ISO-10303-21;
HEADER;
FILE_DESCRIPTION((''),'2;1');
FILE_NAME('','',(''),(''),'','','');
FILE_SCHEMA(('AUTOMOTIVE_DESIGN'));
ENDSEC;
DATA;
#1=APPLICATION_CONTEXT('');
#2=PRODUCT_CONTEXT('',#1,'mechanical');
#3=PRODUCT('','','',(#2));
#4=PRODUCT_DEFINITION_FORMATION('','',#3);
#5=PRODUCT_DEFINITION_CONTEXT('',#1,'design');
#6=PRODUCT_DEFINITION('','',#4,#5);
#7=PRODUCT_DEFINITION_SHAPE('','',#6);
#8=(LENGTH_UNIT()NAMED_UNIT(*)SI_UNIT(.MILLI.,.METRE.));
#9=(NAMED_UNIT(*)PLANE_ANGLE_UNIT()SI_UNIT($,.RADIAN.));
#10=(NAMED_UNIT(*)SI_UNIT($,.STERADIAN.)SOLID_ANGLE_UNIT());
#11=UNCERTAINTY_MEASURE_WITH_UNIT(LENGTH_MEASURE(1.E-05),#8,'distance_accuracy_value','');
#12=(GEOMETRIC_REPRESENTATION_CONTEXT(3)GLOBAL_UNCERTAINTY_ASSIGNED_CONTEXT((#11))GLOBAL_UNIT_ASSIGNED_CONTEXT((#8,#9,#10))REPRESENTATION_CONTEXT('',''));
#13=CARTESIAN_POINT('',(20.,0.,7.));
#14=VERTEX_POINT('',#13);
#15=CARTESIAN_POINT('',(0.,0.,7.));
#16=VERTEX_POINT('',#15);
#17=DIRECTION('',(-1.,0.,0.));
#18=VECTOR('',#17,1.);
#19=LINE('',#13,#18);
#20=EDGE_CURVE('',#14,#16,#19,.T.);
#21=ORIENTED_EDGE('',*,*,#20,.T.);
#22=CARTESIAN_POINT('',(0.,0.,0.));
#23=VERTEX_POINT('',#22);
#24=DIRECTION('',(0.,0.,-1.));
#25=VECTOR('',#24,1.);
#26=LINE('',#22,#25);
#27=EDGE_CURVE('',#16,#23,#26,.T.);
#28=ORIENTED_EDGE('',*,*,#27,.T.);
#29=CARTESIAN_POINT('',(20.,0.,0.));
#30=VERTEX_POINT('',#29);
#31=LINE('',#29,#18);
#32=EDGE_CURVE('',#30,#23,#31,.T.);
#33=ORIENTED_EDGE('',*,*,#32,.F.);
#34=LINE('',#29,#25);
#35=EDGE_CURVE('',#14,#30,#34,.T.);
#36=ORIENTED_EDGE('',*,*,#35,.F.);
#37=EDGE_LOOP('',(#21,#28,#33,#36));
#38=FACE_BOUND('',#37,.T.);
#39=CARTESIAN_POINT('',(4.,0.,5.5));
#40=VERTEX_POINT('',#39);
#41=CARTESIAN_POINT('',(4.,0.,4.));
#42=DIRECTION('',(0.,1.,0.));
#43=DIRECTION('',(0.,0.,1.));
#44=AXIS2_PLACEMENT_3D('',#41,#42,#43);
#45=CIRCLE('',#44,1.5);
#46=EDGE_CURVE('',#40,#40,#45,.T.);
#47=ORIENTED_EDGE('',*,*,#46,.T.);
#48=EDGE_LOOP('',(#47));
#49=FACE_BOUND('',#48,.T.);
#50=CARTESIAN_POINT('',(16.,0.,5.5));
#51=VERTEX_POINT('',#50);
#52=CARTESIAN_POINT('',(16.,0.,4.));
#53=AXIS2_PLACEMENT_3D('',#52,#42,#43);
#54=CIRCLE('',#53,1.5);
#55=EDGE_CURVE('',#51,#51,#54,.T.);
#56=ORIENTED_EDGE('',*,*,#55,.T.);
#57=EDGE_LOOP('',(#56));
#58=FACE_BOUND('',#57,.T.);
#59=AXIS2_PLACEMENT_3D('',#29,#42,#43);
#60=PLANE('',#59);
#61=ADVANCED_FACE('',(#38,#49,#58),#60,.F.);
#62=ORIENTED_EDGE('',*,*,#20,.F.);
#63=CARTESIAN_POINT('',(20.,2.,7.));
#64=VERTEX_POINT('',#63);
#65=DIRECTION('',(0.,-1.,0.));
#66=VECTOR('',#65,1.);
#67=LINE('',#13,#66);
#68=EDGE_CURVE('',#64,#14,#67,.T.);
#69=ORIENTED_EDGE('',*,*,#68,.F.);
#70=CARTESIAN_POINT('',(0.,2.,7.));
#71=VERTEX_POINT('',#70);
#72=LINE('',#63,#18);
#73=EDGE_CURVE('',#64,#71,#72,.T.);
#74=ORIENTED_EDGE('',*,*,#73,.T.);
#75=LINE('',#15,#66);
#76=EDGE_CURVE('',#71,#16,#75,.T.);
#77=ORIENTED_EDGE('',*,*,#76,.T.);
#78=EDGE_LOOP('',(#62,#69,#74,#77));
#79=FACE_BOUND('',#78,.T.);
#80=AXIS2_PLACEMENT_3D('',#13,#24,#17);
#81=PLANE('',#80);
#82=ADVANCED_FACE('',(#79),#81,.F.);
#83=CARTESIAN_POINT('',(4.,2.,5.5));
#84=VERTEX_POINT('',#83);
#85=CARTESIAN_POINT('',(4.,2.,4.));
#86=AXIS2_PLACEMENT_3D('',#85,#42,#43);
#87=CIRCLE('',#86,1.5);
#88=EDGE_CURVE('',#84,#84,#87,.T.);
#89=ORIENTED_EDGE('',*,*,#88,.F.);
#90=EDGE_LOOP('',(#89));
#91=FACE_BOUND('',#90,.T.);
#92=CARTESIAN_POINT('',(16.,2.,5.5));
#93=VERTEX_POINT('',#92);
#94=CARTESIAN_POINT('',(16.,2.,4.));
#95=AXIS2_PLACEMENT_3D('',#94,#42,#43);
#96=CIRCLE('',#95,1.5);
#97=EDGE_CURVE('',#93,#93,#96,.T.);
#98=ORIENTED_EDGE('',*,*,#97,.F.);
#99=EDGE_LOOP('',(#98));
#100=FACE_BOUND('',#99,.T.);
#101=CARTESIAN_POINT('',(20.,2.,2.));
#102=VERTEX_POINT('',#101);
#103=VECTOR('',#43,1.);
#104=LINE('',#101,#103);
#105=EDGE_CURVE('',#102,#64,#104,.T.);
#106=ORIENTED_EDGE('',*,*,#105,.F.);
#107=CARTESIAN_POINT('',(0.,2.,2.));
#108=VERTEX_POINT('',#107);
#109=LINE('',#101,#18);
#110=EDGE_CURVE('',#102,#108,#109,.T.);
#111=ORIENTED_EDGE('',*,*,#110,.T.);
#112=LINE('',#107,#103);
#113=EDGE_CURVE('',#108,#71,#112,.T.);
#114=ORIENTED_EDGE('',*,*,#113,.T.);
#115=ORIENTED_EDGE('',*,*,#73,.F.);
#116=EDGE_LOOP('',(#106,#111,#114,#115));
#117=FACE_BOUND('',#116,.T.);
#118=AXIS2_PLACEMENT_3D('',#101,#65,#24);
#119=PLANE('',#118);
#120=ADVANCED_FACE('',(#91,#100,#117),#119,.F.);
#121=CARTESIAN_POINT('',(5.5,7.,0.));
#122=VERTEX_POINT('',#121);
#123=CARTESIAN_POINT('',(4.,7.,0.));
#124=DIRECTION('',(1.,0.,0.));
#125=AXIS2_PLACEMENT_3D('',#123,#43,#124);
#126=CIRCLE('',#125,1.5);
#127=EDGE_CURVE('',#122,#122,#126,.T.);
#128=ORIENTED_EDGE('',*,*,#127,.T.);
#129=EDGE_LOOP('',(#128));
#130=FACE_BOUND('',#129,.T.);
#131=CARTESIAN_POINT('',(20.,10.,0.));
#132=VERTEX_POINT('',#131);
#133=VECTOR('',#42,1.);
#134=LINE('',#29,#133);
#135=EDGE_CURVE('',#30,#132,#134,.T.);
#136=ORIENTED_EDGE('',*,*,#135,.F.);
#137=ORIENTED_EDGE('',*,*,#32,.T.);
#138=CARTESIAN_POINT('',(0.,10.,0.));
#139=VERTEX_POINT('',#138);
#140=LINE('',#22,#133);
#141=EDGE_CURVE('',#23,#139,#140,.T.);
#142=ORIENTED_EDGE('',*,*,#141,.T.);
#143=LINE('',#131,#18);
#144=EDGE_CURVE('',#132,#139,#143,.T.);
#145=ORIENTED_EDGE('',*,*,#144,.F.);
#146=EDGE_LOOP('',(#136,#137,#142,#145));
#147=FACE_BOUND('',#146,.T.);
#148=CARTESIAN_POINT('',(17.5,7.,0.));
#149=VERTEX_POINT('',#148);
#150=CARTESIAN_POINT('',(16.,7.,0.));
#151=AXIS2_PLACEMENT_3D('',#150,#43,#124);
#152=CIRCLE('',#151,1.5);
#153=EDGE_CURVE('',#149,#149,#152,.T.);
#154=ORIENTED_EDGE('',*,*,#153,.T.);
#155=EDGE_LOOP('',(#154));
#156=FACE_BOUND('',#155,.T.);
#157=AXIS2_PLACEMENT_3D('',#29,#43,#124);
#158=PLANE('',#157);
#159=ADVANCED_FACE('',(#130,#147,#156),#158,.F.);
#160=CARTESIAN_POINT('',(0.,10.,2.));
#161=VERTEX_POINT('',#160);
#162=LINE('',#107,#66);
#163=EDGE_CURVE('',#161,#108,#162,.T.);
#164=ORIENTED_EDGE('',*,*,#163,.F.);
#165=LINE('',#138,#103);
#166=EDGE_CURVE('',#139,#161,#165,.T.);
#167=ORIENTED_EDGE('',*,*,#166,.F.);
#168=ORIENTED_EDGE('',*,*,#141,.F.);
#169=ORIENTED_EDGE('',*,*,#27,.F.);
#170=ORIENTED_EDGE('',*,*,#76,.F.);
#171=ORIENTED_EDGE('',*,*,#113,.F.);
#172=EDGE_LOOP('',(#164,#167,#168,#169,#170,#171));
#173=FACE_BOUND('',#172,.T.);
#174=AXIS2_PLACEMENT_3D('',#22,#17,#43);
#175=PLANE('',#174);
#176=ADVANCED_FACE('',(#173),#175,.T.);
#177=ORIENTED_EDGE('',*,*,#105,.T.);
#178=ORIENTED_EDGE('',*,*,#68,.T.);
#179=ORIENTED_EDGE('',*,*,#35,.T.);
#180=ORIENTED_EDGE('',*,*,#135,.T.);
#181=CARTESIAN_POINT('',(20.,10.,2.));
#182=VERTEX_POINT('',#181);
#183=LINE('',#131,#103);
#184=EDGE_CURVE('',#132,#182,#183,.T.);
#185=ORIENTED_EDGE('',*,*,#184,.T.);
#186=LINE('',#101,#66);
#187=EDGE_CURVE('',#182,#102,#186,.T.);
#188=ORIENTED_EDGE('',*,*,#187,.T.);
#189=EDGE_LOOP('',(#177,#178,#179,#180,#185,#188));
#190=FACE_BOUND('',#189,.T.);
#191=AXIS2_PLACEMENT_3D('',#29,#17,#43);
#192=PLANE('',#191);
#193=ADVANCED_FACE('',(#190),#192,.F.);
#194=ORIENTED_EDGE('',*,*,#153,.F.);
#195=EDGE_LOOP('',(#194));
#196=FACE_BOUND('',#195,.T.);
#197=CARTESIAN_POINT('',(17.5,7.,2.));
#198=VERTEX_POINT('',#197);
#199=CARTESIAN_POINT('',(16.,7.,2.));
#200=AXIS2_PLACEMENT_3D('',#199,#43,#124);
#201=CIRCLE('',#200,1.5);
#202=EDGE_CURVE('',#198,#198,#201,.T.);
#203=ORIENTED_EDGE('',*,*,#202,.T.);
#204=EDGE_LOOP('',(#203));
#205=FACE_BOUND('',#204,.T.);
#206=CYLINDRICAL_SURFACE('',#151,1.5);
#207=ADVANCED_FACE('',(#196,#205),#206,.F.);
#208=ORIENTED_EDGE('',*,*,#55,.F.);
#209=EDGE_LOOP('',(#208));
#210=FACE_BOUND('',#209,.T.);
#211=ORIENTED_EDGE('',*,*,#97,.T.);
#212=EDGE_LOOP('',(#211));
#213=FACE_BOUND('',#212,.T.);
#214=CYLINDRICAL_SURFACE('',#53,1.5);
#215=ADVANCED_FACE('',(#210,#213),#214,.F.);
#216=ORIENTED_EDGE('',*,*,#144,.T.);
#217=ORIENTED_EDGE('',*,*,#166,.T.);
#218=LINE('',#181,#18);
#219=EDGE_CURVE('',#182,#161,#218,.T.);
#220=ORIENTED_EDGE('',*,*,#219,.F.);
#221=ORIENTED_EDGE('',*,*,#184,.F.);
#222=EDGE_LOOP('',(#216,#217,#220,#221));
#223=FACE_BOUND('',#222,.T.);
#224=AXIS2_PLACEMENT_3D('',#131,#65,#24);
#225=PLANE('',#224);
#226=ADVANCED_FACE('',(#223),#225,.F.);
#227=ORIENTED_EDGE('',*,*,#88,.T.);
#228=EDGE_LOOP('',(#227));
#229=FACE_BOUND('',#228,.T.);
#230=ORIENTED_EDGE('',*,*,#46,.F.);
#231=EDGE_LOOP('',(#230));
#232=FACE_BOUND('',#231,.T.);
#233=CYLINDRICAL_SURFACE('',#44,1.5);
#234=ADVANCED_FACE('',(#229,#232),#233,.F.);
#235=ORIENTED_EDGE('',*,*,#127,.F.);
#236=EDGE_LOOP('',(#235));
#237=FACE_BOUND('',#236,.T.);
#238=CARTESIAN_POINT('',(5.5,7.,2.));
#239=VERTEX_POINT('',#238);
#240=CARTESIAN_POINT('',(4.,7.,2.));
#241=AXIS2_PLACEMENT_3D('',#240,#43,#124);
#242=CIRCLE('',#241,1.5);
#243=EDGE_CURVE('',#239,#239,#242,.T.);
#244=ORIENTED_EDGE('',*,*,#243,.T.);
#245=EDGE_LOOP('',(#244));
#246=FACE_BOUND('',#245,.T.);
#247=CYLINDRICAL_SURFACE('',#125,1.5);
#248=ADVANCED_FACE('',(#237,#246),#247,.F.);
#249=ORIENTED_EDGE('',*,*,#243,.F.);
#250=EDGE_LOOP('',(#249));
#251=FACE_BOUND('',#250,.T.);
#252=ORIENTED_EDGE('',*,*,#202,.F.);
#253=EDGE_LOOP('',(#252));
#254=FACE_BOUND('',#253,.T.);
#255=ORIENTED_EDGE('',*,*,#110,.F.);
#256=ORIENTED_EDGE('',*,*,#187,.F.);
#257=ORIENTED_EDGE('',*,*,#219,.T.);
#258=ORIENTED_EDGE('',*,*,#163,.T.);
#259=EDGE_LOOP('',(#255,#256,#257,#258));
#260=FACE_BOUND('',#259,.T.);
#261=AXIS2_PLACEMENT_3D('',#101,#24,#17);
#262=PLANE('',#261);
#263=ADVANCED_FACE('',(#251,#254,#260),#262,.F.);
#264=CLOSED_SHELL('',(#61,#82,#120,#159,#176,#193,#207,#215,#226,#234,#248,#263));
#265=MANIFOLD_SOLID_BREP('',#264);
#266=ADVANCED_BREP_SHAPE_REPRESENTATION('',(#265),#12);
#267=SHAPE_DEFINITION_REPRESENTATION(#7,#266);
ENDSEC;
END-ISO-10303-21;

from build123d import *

# Parameters (mm, degrees)
RESSALTO_EXTRUS_O1_DEPTH = 20
ESBO_O2_R                = 1.5
CORTE_EXTRUS_O1_DEPTH    = 3
ESBO_O3_R                = 1.5
CORTE_EXTRUS_O2_DEPTH    = 3


with BuildPart() as part:
    # Esboço1 → Ressalto-extrusão1 (new body)
    with BuildSketch(Plane(origin=(0, 0, 0), x_dir=(0, 0, -1), z_dir=(1, 0, 0))):
        Polygon((0, 0), (0, 10), (-2, 10), (-2, 2), (-7, 2), (-7, 0), align=None)
    extrude(amount=RESSALTO_EXTRUS_O1_DEPTH)

    # Esboço2 → Corte-extrusão1 (cut, through all)
    with BuildSketch(Plane(origin=(0, 2, 0), x_dir=(1, 0, 0), z_dir=(0, 1, 0))):
        with Locations((4, -4)):
            Circle(ESBO_O2_R)
        with Locations((16, -4)):
            Circle(ESBO_O2_R)
    extrude(amount=-CORTE_EXTRUS_O1_DEPTH, mode=Mode.SUBTRACT)

    # Esboço3 → Corte-extrusão2 (cut, through all)
    with BuildSketch(Plane.XY.offset(2)):
        with Locations((4, 7)):
            Circle(ESBO_O3_R)
        with Locations((16, 7)):
            Circle(ESBO_O3_R)
    extrude(amount=-CORTE_EXTRUS_O2_DEPTH, mode=Mode.SUBTRACT)


solid = part.part
